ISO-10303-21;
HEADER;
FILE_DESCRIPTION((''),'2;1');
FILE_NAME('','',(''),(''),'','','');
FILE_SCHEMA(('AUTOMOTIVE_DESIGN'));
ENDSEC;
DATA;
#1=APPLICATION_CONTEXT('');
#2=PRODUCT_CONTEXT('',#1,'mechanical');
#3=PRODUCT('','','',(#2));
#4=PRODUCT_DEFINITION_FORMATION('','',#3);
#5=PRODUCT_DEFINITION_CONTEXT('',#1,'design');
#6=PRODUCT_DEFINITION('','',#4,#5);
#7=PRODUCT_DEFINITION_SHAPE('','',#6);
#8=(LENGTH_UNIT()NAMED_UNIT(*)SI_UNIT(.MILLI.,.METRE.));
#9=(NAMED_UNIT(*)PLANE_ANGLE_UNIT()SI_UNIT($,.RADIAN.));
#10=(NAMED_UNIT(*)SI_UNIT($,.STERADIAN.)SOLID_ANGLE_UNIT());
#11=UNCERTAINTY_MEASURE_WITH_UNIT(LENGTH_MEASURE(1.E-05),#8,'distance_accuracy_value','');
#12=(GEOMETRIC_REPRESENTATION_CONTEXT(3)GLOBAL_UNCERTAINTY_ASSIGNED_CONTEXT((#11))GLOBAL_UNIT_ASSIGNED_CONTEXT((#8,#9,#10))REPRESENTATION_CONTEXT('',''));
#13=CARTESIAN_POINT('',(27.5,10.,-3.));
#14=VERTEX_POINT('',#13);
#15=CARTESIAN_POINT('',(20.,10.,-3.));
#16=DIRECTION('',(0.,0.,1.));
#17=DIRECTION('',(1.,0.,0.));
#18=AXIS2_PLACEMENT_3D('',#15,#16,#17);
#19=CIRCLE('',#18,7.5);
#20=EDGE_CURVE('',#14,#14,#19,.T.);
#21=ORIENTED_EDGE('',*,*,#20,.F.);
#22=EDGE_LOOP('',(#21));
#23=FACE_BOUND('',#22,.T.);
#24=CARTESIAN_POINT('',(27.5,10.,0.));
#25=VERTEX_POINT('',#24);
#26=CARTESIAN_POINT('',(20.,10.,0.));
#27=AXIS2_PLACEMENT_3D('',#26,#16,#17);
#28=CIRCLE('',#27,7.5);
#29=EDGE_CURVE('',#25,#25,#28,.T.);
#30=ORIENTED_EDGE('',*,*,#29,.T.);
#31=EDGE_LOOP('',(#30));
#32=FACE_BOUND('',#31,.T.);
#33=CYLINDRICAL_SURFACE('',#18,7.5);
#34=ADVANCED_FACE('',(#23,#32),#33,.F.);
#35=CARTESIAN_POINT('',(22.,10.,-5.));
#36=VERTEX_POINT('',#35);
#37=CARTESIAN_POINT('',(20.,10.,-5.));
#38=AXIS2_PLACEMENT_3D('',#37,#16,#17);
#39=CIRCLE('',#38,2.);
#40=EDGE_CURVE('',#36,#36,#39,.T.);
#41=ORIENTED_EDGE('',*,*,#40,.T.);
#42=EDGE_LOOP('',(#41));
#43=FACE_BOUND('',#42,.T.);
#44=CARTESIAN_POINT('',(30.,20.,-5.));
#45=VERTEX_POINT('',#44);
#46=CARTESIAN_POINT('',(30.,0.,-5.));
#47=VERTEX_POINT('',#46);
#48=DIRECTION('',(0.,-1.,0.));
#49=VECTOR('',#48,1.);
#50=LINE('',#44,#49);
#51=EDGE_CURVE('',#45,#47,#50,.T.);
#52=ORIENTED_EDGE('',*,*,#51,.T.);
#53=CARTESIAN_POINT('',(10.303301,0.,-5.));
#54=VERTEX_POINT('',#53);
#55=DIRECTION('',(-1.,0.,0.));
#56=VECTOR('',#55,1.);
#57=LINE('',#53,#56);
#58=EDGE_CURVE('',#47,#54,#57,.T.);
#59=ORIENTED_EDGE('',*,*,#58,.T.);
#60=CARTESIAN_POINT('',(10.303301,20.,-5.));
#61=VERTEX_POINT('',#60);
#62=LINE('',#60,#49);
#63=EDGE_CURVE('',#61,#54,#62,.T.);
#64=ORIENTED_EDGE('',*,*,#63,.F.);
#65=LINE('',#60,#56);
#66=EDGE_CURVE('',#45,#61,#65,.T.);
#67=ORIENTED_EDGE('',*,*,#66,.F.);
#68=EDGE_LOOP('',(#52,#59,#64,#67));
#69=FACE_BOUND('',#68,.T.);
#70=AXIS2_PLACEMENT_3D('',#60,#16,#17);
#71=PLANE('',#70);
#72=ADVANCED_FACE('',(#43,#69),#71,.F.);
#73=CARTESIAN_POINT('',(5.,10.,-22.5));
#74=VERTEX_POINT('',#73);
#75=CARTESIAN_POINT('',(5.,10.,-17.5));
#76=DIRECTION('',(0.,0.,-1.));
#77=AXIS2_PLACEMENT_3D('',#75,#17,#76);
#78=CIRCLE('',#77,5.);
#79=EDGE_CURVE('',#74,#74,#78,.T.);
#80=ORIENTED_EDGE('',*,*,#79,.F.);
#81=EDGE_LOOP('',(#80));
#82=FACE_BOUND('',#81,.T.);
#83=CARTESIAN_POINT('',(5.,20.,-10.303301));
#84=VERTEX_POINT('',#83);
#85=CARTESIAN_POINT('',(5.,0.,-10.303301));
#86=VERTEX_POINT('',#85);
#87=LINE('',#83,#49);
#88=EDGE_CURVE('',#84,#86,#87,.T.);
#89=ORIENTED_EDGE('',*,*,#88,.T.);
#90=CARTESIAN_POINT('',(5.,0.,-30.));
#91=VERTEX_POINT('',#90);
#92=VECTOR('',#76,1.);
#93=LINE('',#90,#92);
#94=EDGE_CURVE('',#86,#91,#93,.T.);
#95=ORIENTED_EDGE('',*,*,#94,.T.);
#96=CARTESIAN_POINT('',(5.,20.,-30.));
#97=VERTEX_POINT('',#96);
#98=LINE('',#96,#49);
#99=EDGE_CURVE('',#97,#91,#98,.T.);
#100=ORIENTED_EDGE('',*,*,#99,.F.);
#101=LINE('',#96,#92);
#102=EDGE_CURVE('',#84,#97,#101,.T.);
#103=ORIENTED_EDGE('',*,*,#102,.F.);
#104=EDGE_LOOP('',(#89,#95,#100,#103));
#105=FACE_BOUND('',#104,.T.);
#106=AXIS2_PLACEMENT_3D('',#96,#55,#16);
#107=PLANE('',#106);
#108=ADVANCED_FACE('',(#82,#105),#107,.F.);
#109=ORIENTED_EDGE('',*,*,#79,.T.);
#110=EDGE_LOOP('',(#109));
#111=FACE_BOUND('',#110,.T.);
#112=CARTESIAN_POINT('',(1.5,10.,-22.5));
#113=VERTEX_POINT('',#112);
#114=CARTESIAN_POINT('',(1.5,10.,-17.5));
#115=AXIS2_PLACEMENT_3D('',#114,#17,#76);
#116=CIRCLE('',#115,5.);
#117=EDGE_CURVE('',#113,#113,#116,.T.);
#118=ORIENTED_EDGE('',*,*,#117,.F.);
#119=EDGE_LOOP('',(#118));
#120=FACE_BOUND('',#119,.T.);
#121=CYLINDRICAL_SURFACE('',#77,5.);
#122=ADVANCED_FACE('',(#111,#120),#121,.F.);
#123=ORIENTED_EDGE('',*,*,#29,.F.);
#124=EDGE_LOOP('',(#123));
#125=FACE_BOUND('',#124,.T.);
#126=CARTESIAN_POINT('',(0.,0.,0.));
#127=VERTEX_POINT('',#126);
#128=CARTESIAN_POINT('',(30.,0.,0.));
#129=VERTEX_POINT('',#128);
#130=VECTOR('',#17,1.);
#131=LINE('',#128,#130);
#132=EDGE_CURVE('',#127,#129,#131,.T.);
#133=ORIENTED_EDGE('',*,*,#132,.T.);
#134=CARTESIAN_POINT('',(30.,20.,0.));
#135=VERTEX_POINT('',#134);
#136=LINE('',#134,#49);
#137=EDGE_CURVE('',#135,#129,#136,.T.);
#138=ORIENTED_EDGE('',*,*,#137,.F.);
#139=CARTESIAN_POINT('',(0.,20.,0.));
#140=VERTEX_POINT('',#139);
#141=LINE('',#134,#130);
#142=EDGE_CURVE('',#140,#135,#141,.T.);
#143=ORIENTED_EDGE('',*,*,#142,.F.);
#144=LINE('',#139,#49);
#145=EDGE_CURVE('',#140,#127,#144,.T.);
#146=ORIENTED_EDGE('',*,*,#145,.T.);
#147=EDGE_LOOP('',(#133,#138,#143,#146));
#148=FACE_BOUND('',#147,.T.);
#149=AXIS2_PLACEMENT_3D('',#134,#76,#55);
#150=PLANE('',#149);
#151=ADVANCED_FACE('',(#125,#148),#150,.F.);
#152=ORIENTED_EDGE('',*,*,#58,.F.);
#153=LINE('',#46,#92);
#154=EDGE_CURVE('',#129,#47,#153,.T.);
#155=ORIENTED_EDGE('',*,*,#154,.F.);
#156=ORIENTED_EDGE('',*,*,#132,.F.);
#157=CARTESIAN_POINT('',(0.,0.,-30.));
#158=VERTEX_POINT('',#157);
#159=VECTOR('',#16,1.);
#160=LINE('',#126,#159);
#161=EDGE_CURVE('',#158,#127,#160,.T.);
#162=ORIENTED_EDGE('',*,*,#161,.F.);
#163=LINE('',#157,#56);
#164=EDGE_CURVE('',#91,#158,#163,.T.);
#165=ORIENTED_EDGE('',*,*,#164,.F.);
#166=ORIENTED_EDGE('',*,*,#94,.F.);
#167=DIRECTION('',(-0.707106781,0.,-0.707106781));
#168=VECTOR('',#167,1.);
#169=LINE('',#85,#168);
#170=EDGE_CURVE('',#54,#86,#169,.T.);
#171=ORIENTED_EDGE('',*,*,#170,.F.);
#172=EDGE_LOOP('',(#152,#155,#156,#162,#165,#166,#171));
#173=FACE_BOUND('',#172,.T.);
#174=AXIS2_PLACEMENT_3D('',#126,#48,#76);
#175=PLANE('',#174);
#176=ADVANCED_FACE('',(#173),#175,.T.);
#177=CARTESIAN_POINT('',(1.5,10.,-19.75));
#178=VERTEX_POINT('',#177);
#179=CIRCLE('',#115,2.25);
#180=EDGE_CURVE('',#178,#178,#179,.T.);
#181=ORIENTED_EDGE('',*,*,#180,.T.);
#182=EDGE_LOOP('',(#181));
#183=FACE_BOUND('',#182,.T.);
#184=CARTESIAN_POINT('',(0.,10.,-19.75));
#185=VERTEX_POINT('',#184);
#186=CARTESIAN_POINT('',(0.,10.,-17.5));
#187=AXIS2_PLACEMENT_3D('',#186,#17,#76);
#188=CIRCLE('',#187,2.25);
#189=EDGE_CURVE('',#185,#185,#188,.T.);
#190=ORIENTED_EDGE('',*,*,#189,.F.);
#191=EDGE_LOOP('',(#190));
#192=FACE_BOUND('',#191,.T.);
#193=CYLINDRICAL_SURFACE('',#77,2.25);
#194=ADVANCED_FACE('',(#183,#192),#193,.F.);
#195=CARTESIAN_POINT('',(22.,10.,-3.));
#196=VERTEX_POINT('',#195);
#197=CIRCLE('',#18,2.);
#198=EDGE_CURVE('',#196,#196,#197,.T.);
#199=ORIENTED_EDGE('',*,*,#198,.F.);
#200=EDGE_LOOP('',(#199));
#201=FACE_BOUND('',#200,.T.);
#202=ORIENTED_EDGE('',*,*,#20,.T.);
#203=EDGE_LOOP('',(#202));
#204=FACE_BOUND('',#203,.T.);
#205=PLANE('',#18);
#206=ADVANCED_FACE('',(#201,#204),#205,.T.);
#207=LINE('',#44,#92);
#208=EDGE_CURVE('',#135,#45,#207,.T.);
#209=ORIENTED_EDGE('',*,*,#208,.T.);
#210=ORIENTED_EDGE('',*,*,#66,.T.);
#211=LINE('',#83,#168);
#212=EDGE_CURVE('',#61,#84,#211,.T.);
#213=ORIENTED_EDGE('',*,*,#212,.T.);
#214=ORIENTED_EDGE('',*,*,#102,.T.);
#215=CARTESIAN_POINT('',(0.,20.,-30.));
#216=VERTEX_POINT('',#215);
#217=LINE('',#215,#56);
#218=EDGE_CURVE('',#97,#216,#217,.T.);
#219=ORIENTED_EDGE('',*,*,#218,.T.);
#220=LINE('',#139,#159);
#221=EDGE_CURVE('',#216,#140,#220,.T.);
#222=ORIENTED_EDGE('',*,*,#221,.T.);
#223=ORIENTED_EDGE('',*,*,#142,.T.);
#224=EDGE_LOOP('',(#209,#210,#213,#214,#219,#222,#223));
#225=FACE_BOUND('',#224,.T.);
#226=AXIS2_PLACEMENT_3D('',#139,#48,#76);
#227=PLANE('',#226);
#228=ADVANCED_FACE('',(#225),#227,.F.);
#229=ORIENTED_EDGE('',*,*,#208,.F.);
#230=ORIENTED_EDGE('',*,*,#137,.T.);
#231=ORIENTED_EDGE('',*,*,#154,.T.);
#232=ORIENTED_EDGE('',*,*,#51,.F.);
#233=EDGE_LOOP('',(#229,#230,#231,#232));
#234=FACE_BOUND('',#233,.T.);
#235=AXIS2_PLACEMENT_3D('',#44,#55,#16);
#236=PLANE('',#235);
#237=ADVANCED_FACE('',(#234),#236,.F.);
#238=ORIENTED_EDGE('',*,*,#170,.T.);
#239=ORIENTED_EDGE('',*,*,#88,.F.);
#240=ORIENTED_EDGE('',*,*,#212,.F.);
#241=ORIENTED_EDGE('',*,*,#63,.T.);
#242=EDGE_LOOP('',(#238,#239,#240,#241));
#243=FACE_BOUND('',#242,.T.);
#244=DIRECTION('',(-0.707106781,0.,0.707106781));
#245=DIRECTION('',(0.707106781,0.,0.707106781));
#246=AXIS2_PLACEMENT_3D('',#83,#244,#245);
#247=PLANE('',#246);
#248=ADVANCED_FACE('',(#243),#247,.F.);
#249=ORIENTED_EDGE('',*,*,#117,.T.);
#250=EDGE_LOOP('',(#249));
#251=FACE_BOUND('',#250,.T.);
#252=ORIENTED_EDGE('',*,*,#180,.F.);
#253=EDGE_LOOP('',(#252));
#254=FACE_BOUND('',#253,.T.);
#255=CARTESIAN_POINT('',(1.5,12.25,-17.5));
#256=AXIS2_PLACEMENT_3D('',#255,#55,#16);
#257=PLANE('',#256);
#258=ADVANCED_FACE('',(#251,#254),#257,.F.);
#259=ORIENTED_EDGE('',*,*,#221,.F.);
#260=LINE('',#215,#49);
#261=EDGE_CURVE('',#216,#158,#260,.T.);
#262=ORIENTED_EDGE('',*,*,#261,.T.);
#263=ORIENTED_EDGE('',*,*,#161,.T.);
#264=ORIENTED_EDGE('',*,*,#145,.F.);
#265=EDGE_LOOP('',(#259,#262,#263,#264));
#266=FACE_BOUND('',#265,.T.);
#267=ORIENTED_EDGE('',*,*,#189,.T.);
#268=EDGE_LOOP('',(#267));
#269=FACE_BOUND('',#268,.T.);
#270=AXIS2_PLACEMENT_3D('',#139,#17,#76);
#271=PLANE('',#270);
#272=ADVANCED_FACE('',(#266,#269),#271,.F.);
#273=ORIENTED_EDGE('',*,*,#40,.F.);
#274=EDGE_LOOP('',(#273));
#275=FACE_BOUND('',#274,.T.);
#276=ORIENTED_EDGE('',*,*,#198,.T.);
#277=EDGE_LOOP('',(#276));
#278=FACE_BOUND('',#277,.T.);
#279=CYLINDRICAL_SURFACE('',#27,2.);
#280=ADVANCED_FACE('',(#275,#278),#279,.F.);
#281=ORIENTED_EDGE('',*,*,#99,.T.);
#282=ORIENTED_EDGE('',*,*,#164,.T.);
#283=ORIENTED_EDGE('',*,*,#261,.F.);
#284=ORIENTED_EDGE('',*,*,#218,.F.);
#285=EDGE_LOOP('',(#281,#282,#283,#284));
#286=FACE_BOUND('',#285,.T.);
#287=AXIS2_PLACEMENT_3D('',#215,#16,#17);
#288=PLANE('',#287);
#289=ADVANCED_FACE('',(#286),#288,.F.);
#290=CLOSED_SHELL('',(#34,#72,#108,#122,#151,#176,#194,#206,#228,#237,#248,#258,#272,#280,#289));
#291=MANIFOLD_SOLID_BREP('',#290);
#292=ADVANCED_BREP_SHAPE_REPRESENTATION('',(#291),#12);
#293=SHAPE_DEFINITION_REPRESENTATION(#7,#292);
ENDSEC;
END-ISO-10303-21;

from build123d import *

# Parameters (mm, degrees)
ESTRUSIONE_ESTRUSIONE2_DEPTH                         = 20
FORO_LAMATO_PER_VITE_M4_A_TESTA_CILINDRI_D           = 4.5
FORO_LAMATO_PER_VITE_M4_A_TESTA_CILINDRI_DEPTH       = 15
FORO_LAMATO_PER_VITE_M4_A_TESTA_CILINDRI_CBORE_D     = 10
FORO_LAMATO_PER_VITE_M4_A_TESTA_CILINDRI_CBORE_DEPTH = 3.5
FORO_LAMATO_PER_VITE_M4_A_TESTA_CILINDRI_TIP         = 1.351936393
SCHIZZO6_R                                           = 7.5
TAGLIO_ESTRUSIONE1_DEPTH                             = 3
FORO_PER_VITE_M4_1_D                                 = 4
FORO_PER_VITE_M4_1_DEPTH                             = 9
FORO_PER_VITE_M4_1_TIP                               = 1.201721238


with BuildPart() as part:
    # Schizzo2 → Estrusione-Estrusione2 (new body)
    with BuildSketch(Plane(origin=(0, 0, 0), x_dir=(1, 0, 0), z_dir=(0, 1, 0))):
        Polygon((5, 30), (5, 10.303300859), (10.303300859, 5), (30, 5), (30, 0), (0, 0), (0, 30), align=None)
    extrude(amount=ESTRUSIONE_ESTRUSIONE2_DEPTH)

    # Foro lamato per Vite M4 a testa cilindrica piana-1
    with Locations(Plane(origin=(5, 0, 0), x_dir=(0, 0, -1), z_dir=(1, 0, 0))):
        with Locations((17.5, 10)):
            CounterBoreHole(FORO_LAMATO_PER_VITE_M4_A_TESTA_CILINDRI_D / 2, FORO_LAMATO_PER_VITE_M4_A_TESTA_CILINDRI_CBORE_D / 2, FORO_LAMATO_PER_VITE_M4_A_TESTA_CILINDRI_CBORE_DEPTH, depth=FORO_LAMATO_PER_VITE_M4_A_TESTA_CILINDRI_DEPTH)
            with Locations((0, 0, -(FORO_LAMATO_PER_VITE_M4_A_TESTA_CILINDRI_DEPTH + FORO_LAMATO_PER_VITE_M4_A_TESTA_CILINDRI_TIP / 2))):  # 118° drill point
                Cone(0, FORO_LAMATO_PER_VITE_M4_A_TESTA_CILINDRI_D / 2, FORO_LAMATO_PER_VITE_M4_A_TESTA_CILINDRI_TIP, mode=Mode.SUBTRACT)

    # Schizzo6 → Taglio-Estrusione1 (cut)
    with BuildSketch(Plane.XY):
        with Locations((20, 10)):
            Circle(SCHIZZO6_R)
    extrude(amount=-TAGLIO_ESTRUSIONE1_DEPTH, mode=Mode.SUBTRACT)

    # Foro per Vite M4-1
    with Locations(Plane(origin=(20, 10, 0), x_dir=(1, 0, 0), z_dir=(0, 0, 1))):
        with Locations((0, 0)):
            Hole(FORO_PER_VITE_M4_1_D / 2, depth=FORO_PER_VITE_M4_1_DEPTH)
            with Locations((0, 0, -(FORO_PER_VITE_M4_1_DEPTH + FORO_PER_VITE_M4_1_TIP / 2))):  # 118° drill point
                Cone(0, FORO_PER_VITE_M4_1_D / 2, FORO_PER_VITE_M4_1_TIP, mode=Mode.SUBTRACT)


solid = part.part
